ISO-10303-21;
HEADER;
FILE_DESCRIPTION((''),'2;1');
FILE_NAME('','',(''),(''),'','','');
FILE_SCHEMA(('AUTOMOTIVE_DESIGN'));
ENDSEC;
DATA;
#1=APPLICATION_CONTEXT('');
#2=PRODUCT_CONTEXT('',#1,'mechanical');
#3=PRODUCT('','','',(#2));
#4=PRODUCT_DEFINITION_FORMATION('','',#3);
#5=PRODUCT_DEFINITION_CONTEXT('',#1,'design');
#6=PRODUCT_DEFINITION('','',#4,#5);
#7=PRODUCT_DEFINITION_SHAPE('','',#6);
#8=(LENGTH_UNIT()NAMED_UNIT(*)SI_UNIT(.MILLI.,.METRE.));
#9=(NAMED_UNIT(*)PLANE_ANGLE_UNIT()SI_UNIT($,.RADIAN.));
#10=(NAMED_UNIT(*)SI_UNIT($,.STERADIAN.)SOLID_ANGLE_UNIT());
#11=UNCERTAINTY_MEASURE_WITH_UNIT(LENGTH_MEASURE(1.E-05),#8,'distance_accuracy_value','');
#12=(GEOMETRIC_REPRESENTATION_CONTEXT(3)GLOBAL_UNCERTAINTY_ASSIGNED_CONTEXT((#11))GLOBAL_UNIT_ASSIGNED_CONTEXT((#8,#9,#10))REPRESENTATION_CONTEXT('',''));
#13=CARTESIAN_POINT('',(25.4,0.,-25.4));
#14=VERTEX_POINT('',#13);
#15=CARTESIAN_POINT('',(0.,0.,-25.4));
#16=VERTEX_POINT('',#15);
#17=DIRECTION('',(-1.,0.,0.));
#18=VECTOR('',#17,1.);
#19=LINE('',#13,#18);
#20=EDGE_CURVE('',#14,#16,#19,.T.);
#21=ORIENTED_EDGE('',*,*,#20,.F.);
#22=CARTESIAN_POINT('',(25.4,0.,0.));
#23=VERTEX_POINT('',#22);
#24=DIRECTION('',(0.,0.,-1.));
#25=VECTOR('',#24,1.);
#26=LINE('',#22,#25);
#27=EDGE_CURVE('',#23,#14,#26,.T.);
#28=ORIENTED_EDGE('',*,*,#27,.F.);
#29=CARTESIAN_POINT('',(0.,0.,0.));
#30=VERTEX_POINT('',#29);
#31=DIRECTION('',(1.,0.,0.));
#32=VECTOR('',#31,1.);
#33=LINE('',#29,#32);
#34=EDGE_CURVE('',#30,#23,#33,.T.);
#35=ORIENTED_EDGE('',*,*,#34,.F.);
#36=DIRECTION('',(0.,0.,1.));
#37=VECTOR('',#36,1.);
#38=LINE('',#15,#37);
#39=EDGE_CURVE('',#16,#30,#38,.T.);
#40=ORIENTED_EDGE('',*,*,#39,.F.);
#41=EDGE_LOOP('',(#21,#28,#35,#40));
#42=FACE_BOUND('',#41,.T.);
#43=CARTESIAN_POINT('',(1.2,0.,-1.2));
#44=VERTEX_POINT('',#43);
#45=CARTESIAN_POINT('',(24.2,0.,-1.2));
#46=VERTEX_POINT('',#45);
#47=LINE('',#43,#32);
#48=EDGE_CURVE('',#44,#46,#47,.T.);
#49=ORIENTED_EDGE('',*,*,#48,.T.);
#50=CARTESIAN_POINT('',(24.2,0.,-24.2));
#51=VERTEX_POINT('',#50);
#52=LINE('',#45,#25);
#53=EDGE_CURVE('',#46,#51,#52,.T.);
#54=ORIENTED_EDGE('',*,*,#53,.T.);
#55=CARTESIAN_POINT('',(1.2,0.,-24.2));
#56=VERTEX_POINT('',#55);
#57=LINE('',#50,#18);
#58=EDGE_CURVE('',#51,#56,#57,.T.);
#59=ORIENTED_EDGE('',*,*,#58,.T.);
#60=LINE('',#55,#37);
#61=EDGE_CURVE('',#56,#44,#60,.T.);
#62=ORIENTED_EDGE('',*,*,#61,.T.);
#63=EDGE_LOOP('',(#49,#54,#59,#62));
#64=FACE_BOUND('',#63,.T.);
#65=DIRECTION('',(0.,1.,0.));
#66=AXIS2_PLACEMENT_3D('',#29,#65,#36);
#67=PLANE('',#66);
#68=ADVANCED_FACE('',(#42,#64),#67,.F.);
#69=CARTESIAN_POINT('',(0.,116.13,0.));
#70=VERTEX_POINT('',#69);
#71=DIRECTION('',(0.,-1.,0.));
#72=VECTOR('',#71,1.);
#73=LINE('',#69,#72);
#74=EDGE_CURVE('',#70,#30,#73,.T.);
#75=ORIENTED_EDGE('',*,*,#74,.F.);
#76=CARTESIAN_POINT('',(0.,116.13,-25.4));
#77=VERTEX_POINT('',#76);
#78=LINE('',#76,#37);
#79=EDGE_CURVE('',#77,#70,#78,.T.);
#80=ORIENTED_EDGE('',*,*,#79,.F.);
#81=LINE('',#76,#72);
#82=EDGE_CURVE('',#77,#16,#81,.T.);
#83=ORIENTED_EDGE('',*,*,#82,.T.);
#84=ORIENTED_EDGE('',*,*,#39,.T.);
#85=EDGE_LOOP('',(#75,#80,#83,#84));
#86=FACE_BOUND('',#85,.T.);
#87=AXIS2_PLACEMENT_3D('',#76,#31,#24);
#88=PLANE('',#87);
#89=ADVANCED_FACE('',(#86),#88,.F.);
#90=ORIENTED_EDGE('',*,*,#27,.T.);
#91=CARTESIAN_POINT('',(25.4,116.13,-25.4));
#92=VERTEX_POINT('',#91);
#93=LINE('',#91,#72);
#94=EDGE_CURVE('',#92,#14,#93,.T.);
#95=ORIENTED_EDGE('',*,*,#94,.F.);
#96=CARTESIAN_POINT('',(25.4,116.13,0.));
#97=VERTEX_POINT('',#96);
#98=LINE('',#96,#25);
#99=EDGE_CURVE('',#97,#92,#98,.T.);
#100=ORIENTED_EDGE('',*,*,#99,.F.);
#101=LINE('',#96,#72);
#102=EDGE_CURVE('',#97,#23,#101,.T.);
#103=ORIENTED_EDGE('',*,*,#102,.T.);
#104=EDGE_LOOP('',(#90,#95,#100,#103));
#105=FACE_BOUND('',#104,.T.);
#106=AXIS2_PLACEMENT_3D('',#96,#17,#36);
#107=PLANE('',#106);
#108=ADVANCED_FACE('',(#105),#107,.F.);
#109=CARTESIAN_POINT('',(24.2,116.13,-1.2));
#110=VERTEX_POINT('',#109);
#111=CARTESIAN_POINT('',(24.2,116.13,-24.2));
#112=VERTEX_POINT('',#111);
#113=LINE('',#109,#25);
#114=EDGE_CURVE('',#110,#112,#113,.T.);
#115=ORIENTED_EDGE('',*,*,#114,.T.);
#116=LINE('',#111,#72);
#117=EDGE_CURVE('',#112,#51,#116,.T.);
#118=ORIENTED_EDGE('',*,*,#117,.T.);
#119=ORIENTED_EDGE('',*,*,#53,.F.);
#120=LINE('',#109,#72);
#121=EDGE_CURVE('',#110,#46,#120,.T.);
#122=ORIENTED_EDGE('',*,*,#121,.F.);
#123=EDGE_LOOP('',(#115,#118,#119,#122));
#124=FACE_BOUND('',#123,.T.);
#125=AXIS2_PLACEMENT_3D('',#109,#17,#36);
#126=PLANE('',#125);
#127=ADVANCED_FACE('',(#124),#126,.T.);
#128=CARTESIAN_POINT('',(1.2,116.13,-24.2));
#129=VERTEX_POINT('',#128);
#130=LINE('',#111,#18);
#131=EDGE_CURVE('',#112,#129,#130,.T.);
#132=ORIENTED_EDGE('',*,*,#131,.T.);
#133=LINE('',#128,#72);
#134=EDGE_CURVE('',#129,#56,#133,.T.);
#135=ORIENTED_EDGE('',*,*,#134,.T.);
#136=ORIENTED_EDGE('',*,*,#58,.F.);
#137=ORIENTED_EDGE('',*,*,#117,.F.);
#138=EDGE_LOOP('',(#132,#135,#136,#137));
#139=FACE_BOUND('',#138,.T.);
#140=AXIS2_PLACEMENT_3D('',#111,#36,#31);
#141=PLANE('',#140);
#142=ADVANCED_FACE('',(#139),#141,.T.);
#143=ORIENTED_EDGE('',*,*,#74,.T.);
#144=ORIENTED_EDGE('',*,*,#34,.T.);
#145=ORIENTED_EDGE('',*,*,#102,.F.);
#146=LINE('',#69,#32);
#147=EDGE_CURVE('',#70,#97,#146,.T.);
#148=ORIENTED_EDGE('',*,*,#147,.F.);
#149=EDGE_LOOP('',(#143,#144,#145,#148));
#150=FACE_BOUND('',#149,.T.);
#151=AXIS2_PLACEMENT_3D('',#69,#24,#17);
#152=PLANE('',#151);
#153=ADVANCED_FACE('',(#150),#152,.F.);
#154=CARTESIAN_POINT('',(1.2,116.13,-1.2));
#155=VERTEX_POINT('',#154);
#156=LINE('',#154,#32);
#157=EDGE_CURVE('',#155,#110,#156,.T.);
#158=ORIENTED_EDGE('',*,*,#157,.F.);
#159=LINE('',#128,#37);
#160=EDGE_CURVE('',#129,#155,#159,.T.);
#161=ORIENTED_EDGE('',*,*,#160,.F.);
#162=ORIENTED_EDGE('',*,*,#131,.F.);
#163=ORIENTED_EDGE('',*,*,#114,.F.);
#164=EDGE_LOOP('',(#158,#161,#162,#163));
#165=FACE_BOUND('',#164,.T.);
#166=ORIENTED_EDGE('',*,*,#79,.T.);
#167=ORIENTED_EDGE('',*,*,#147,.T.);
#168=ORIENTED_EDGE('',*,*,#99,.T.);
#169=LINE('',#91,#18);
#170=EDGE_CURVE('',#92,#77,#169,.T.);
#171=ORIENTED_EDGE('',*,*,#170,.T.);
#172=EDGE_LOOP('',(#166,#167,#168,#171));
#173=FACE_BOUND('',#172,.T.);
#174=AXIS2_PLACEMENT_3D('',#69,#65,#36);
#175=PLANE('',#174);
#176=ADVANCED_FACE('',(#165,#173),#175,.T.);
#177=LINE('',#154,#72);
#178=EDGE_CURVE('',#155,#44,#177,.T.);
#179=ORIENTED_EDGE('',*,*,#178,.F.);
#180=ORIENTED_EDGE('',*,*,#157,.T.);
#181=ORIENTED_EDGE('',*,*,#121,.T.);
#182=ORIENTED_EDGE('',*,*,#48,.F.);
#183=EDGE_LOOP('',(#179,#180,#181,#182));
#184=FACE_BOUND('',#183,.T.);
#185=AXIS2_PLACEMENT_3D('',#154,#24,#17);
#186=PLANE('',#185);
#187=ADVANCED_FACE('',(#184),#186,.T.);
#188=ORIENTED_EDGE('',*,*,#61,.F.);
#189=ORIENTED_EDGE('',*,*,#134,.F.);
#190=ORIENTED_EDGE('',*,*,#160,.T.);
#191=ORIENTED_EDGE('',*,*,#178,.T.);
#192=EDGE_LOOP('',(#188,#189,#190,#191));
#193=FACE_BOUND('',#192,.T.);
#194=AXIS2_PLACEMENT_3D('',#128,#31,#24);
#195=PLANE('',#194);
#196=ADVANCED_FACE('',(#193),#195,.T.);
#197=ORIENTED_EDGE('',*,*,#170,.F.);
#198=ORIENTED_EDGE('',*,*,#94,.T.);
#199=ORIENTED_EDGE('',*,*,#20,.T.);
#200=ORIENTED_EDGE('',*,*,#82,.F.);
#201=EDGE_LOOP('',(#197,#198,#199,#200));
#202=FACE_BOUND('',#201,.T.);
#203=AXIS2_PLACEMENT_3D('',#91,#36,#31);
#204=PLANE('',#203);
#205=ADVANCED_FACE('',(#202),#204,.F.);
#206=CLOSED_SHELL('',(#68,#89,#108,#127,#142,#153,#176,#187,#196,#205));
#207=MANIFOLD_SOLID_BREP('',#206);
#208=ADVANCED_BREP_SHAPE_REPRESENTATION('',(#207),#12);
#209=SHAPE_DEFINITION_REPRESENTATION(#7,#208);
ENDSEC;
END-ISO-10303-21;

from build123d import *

# Parameters (mm, degrees)
SKETCH1_W           = 25.4
SKETCH1_H           = 25.4
SKETCH1_W_2         = 23
SKETCH1_H_2         = 23
BOSS_EXTRUDE1_DEPTH = 116.13


with BuildPart() as part:
    # Sketch1 → Boss-Extrude1 (new body)
    with BuildSketch(Plane(origin=(0, 0, 0), x_dir=(1, 0, 0), z_dir=(0, 1, 0))):
        with Locations((12.7, 12.7)):
            Rectangle(SKETCH1_W, SKETCH1_H)
        with Locations((12.7, 12.7)):
            Rectangle(SKETCH1_W_2, SKETCH1_H_2, mode=Mode.SUBTRACT)
    extrude(amount=BOSS_EXTRUDE1_DEPTH)


solid = part.part
